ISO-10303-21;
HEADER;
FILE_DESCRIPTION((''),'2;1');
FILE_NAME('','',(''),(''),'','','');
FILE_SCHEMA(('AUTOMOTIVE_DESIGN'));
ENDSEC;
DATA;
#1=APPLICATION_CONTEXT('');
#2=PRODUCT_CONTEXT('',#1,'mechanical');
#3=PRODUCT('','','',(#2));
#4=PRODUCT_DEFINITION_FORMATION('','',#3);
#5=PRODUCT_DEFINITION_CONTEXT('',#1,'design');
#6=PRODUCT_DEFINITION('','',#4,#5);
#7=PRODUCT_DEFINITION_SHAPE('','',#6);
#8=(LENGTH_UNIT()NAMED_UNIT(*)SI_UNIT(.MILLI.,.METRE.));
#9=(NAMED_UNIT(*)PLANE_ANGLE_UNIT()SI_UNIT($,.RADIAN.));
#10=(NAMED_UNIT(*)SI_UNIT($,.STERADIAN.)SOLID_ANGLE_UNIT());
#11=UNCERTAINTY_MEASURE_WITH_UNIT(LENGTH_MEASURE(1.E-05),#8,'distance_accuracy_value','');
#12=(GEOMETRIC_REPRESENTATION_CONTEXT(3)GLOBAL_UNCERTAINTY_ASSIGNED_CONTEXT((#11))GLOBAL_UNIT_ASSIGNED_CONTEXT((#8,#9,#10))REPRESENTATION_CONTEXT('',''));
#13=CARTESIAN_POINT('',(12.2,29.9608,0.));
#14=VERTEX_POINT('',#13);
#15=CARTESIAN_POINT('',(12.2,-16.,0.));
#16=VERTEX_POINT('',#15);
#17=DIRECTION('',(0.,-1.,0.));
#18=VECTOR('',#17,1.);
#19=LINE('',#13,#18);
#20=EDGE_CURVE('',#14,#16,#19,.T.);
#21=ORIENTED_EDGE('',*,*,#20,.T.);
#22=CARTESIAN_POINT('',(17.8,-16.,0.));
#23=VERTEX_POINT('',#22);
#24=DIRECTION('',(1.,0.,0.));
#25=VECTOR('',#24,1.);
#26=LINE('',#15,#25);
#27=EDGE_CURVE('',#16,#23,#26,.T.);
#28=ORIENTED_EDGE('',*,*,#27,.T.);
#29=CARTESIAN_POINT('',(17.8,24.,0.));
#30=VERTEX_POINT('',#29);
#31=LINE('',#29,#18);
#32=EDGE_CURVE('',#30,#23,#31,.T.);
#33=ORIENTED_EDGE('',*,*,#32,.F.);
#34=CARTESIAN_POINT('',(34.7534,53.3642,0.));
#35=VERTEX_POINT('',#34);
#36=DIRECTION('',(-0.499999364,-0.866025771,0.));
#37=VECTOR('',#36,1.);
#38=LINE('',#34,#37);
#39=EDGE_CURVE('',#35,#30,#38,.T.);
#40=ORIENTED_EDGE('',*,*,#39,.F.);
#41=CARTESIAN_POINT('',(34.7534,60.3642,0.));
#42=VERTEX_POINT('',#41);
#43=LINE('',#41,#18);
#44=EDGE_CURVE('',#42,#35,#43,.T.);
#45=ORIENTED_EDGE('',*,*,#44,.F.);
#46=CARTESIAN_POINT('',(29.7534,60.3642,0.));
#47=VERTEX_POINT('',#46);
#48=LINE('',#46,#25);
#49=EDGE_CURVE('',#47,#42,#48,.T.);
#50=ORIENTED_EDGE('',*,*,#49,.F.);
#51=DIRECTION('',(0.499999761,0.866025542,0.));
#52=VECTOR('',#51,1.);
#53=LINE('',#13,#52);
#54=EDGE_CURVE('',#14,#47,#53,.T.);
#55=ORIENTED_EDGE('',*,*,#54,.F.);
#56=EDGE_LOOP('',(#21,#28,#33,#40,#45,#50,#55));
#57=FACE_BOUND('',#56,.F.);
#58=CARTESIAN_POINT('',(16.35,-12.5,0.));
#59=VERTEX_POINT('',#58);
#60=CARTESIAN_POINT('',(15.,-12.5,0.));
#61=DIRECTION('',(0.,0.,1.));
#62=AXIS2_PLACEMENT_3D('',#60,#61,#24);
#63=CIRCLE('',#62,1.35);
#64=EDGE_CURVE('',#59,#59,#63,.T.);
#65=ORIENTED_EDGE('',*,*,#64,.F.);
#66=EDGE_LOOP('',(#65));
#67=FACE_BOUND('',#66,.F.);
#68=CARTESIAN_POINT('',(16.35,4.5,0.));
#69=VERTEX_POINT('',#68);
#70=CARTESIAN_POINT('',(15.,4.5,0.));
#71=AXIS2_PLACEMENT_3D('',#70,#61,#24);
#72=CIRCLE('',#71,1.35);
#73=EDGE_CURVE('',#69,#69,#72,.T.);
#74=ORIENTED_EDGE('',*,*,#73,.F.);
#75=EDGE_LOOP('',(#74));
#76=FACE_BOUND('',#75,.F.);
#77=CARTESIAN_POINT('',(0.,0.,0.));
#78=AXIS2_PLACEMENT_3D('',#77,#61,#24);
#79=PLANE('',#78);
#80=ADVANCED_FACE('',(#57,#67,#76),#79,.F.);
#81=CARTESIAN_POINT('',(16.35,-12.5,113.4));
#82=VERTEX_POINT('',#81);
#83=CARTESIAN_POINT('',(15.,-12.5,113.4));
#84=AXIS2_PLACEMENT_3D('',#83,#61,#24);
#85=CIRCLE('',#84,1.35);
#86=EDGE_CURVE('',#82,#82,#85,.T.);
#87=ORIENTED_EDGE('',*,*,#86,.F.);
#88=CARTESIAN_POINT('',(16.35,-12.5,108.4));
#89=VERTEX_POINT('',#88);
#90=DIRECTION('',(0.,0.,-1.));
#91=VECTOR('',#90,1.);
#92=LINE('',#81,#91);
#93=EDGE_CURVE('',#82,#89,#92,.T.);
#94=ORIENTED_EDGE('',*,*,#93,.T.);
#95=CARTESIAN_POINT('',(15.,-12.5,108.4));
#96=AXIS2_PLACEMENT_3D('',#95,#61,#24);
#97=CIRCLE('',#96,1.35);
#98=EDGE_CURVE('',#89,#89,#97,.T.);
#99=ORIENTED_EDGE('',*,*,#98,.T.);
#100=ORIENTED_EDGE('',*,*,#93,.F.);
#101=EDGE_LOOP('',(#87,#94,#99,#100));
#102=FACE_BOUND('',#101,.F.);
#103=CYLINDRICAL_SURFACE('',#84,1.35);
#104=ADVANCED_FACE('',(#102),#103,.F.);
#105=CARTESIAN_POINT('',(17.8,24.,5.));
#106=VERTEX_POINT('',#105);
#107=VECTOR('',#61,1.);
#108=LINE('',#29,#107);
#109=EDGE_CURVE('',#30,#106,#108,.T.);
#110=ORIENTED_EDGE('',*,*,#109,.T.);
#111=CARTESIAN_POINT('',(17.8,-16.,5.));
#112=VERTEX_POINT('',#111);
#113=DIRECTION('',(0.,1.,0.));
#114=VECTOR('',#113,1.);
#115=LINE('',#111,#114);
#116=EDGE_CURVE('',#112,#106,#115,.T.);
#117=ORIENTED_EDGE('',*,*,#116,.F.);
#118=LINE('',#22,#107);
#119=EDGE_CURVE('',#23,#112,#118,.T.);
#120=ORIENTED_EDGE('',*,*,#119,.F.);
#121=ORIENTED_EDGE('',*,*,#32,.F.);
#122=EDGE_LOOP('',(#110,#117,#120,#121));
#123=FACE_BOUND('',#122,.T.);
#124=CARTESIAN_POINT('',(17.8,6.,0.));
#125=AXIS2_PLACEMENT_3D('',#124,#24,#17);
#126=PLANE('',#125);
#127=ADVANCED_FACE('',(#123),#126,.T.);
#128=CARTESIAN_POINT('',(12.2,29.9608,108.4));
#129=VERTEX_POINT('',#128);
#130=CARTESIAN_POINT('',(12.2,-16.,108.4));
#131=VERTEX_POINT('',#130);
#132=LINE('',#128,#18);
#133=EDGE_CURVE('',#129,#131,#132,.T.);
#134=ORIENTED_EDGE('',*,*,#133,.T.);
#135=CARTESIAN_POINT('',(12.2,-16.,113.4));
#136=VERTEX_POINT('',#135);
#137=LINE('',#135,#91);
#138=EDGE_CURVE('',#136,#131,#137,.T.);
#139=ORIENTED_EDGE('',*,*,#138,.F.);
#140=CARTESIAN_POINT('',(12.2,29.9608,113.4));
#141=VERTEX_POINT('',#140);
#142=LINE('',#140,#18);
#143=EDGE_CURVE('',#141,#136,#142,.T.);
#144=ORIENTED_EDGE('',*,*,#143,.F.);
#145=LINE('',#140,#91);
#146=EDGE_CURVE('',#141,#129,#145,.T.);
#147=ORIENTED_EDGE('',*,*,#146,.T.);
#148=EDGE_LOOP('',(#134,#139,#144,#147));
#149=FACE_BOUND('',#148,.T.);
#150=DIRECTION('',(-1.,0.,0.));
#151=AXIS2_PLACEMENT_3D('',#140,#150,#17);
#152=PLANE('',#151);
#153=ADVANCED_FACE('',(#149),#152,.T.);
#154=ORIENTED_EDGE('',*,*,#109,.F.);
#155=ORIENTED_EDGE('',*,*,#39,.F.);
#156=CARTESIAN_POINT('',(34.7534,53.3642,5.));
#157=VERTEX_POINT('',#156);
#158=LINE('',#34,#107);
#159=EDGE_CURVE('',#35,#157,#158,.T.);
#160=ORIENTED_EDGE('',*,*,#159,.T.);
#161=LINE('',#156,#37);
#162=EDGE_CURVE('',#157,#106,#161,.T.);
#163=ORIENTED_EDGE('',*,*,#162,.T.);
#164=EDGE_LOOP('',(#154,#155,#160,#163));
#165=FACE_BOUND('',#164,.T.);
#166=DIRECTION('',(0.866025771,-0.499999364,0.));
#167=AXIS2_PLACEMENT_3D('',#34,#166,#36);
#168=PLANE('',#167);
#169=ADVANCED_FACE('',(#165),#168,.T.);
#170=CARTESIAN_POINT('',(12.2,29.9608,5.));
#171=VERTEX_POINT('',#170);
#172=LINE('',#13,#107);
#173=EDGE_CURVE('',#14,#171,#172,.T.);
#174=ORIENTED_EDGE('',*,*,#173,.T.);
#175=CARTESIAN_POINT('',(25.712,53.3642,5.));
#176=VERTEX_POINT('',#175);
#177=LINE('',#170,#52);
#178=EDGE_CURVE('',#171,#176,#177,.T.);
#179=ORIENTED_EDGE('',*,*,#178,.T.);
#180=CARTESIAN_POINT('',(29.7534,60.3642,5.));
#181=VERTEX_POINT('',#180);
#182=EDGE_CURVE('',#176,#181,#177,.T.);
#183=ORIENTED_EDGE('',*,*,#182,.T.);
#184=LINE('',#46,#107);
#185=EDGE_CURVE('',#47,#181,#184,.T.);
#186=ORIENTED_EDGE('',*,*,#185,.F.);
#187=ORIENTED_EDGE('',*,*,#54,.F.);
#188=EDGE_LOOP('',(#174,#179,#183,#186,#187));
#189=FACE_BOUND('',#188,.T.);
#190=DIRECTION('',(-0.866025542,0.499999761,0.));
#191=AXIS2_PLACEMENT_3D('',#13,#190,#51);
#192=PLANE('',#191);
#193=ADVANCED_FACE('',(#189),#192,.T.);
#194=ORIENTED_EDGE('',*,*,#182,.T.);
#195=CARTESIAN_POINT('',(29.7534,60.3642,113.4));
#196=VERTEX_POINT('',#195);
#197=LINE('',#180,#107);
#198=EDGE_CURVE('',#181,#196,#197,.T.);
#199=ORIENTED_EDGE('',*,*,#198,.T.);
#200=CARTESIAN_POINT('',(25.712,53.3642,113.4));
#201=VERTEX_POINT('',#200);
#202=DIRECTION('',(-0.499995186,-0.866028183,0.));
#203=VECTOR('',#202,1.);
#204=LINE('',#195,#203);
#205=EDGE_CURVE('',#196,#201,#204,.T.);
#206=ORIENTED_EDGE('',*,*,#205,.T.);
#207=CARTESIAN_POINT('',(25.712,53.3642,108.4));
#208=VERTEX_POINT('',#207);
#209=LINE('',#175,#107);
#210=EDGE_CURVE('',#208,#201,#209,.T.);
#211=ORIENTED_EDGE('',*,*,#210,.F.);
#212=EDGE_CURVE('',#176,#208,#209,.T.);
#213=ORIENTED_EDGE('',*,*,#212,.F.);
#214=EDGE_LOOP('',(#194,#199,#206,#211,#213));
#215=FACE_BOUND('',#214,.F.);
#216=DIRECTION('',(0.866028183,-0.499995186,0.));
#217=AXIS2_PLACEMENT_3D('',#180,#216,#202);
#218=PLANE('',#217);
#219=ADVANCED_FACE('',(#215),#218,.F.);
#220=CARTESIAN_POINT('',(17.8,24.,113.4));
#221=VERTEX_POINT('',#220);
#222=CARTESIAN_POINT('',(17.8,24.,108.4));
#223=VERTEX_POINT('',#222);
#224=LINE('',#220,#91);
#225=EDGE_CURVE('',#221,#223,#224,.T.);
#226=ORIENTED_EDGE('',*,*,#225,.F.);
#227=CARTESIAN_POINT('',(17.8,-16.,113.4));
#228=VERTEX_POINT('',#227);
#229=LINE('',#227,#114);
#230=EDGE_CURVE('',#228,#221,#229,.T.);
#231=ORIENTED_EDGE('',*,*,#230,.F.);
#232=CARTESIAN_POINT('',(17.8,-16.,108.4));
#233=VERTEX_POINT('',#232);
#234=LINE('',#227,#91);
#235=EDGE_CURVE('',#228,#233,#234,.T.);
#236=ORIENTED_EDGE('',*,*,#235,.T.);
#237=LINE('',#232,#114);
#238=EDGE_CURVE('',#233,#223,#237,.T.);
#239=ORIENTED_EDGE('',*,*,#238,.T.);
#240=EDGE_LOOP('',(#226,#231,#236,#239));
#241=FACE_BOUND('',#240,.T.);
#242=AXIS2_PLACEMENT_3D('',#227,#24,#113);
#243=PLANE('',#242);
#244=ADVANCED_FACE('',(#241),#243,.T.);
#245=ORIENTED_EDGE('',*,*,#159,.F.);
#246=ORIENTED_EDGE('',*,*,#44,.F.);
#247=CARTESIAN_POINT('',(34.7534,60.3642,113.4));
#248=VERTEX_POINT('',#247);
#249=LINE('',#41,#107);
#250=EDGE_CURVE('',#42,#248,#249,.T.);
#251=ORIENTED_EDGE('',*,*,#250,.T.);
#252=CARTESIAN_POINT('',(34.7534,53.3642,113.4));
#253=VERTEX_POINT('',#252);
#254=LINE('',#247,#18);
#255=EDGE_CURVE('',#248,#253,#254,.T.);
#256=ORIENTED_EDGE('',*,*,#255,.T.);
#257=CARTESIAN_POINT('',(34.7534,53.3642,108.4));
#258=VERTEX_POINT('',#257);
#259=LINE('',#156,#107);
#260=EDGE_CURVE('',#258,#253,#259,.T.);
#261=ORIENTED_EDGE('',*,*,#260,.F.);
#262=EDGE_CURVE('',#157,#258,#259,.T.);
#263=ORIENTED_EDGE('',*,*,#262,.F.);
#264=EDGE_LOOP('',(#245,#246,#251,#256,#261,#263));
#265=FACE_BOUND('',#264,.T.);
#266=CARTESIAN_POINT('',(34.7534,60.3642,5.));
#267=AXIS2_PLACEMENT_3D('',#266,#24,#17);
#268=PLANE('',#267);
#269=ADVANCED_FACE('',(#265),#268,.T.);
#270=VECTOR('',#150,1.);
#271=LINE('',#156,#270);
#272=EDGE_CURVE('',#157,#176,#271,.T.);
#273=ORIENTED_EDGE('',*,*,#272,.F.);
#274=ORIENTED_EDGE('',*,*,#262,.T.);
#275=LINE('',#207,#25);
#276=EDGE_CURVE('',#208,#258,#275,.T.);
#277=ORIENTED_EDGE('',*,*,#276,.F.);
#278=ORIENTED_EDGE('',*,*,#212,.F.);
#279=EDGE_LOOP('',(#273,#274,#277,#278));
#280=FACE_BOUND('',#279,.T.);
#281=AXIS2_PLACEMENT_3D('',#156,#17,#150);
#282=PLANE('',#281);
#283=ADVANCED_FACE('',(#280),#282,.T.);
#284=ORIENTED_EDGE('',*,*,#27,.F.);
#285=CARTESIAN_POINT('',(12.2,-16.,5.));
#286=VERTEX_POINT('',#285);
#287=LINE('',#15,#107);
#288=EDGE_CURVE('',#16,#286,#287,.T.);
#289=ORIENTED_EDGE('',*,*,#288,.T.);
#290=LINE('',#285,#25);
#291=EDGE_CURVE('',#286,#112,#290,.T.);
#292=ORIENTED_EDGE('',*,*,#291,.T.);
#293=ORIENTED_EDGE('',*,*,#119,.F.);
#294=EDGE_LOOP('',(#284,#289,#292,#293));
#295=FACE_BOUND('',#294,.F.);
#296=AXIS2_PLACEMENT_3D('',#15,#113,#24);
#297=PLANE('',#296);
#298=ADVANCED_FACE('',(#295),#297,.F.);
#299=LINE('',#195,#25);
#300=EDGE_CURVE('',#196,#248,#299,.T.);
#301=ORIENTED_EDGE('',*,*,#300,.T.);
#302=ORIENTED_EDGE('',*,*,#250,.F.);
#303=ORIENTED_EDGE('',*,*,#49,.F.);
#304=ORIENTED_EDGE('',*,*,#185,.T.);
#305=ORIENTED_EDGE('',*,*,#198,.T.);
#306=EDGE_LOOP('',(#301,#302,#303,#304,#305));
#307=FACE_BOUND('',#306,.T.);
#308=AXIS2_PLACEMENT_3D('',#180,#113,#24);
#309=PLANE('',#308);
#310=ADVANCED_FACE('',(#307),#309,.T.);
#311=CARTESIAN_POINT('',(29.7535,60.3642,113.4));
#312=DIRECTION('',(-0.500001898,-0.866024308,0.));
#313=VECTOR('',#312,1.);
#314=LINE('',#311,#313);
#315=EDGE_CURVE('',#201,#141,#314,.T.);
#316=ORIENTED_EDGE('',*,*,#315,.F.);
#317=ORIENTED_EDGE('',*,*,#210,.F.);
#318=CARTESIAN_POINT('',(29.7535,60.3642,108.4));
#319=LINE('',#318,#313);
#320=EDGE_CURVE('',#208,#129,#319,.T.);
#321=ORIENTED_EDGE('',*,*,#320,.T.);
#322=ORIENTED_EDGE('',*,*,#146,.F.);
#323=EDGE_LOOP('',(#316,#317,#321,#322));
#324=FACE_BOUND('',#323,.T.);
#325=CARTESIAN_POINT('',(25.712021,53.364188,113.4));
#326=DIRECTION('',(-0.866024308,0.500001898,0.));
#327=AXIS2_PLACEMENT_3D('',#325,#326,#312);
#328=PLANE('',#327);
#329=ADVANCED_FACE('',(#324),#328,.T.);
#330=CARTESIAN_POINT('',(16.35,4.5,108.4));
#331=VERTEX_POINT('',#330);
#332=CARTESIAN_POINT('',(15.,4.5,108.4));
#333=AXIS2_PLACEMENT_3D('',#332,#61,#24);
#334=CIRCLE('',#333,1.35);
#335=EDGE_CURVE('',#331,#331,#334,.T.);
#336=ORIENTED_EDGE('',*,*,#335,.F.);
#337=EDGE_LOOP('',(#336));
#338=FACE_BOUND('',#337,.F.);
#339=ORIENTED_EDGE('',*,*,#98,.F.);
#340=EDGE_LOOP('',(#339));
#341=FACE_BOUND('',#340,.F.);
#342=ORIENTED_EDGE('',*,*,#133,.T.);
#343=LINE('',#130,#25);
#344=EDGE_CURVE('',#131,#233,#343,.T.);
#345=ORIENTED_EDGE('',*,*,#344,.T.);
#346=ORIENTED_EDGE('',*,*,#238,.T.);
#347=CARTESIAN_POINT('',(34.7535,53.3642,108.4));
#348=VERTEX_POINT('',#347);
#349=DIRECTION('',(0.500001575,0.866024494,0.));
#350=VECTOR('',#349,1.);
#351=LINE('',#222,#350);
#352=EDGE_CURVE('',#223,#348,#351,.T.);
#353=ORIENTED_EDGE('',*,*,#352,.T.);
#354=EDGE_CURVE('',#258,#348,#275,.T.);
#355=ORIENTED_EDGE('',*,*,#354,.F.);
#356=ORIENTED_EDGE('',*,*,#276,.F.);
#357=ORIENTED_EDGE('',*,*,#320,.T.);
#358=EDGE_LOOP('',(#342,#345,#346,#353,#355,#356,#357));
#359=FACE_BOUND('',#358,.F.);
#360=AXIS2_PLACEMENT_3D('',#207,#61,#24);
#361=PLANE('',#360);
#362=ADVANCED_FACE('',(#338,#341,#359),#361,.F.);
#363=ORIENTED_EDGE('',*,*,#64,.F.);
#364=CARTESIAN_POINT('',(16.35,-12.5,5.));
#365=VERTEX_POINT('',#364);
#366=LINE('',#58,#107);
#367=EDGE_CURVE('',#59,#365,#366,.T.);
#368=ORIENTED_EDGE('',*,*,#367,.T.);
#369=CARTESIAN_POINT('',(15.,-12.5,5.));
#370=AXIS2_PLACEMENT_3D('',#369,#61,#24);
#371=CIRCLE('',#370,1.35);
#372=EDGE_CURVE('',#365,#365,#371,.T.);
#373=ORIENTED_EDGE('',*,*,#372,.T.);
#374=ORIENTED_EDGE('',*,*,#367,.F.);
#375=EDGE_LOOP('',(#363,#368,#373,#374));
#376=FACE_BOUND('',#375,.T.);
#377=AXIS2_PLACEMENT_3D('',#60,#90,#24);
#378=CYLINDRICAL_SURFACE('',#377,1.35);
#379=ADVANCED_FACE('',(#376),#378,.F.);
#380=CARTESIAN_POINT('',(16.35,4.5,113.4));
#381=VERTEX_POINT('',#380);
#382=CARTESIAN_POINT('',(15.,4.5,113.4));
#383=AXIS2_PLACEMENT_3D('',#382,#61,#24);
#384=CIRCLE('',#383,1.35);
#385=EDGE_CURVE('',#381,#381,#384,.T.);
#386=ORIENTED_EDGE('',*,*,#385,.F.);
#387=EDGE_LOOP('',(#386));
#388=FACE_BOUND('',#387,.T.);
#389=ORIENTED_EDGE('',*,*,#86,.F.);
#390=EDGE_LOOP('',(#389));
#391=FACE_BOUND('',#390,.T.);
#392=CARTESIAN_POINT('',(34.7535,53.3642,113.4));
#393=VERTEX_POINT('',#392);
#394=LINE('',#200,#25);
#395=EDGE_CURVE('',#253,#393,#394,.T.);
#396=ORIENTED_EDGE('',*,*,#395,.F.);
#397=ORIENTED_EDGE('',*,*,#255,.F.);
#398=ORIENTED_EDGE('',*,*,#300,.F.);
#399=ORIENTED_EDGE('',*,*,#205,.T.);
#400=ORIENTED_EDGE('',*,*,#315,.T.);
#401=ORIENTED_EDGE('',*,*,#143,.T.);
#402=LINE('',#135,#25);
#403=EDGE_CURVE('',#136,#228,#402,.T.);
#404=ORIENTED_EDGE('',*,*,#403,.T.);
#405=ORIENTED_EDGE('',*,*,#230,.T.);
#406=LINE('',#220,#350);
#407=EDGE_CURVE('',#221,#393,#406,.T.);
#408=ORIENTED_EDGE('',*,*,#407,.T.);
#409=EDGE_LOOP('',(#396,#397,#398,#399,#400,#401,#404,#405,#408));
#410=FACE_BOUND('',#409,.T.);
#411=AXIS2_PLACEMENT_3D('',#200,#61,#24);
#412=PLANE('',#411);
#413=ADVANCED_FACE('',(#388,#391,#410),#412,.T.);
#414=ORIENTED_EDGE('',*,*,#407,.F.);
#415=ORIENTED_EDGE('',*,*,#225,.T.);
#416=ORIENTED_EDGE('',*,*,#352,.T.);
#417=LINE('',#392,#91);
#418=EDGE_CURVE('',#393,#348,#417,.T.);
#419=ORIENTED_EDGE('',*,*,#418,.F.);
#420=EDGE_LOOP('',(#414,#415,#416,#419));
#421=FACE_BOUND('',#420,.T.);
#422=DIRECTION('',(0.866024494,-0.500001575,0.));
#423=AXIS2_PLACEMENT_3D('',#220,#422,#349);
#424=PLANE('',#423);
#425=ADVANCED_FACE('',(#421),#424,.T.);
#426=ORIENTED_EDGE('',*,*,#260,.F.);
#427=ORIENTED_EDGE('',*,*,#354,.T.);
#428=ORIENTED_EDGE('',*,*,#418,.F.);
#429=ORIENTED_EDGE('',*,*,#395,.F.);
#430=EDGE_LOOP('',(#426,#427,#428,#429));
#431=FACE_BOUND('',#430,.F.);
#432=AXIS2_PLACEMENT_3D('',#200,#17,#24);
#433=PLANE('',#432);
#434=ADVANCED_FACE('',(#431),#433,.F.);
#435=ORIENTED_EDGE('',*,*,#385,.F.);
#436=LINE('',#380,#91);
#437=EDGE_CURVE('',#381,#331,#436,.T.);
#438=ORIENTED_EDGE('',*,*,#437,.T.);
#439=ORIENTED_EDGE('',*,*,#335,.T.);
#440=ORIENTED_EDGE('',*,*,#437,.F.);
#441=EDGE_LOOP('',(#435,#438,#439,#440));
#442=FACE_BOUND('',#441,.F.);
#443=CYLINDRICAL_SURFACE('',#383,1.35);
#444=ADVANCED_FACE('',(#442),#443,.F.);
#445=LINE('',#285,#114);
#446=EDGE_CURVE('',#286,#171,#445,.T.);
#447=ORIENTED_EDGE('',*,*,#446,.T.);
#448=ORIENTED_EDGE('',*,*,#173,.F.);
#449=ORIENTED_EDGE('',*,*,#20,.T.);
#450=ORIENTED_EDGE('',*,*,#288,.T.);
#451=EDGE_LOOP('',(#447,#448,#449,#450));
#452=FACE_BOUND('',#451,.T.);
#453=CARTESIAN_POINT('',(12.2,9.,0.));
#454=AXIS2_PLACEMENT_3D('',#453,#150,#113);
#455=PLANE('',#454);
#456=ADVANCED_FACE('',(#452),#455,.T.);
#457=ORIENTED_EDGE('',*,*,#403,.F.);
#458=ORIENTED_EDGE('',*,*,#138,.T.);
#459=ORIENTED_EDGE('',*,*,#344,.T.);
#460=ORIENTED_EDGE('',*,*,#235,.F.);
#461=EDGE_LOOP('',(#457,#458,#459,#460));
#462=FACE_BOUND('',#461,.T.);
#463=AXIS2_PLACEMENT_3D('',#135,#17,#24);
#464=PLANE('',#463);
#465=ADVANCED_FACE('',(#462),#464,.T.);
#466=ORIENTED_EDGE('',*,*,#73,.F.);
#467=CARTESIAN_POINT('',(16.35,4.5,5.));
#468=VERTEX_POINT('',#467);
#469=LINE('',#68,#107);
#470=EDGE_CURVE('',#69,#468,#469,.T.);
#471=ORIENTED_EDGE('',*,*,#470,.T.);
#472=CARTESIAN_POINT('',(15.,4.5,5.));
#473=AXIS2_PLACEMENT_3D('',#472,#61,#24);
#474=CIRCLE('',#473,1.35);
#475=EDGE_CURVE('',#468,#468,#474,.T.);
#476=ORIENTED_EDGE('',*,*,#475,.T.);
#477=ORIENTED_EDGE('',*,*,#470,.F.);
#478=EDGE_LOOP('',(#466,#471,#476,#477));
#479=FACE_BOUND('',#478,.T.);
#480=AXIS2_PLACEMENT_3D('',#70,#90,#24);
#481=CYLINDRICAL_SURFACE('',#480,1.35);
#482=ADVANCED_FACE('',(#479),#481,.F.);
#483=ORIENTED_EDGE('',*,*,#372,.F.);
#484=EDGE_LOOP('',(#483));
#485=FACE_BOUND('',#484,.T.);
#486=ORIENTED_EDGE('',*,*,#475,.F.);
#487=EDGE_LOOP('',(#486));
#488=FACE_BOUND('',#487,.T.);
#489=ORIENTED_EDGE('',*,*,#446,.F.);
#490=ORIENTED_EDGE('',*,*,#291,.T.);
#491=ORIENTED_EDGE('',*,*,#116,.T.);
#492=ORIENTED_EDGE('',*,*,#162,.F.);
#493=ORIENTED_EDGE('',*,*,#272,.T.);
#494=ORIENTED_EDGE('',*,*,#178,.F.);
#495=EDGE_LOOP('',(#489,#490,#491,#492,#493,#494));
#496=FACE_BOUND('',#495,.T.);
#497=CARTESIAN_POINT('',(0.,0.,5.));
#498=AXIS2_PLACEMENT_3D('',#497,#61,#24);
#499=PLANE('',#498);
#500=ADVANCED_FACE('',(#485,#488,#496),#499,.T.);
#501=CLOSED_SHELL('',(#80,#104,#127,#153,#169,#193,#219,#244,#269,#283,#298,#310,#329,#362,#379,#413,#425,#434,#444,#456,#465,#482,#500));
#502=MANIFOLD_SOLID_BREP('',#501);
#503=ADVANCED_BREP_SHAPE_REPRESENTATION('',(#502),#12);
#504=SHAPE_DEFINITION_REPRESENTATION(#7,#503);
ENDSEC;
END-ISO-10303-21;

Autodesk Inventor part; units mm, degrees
ref_plane "YZ Plane" through (0, 0, 0) normal (1, 0, 0) x (0, 1, 0)
ref_plane "XZ Plane" through (0, 0, 0) normal (0, 1, 0) x (-1, 0, 0)
sketch "Sketch1" plane through (0, 0, 0) normal (0, 0, 1) x (1, 0, 0)
  arc A0 (12.2, 9) -> (9.2, 12) centre (9.2, 9) ccw projected
  line L0 (12.7, 12) -> (9.2, 12) projected
  line L1 (12.7, 12) -> (17.8, 6) projected
  line L2 (17.8, 6) -> (17.8, -32.6) projected
  line L3 (17.8, -32.6) -> (12.7, -38.6) projected
  line L4 (12.7, -38.6) -> (-12.7, -38.6) projected
  line L5 (-12.7, -38.6) -> (-17.8, -32.6) projected
  line L6 (-17.8, -32.6) -> (-17.8, 6) projected
  line L7 (-17.8, 6) -> (-12.7, 12) projected
  line L8 (-9.2, 12) -> (-12.7, 12) projected
  arc A1 (-9.2, 12) -> (-12.2, 9) centre (-9.2, 9) ccw projected
  line L9 (-12.2, -30) -> (-12.2, 9) projected
  arc A2 (-12.2, -30) -> (-9.2, -33) centre (-9.2, -30) ccw projected
  line L10 (9.2, -33) -> (-9.2, -33) projected
  arc A3 (9.2, -33) -> (12.2, -30) centre (9.2, -30) ccw projected
  line L11 (12.2, 9) -> (12.2, -30) projected
  circle A4 centre (-15, -29.5) radius 1.35 projected
  circle A5 centre (15, -29.5) radius 1.35 projected
  circle A6 centre (-8.5, -35.8) radius 1.35 projected
  circle A7 centre (-15, -12.5) radius 1.35 projected
  circle A8 centre (-15, 4.5) radius 1.35 projected
  circle A9 centre (8.5, -35.8) radius 1.35 projected
  circle A10 centre (15, -12.5) radius 1.35 projected
  circle A11 centre (15, 4.5) radius 1.35 projected
  line L12 (12.2, -16) -> (12.2, 29.9608)
  line L13 (29.7534, 60.3642) -> (34.7534, 60.3642)
  line L14 (34.7534, 60.3642) -> (34.7534, 53.3642)
  line L15 (34.7534, 53.3642) -> (17.8, 24)
  line L16 (17.8, 24) -> (17.8, -16)
  line L17 (12.2, -16) -> (17.8, -16)
  circle A12 centre (15, -12.5) radius 1.35
  circle A13 centre (15, 4.5) radius 1.35
  line L18 (12.2, 29.9608) -> (29.7534, 60.3642)
  point P0 (0, 0)
  dimension "d1" = 2.7
  dimension "d2" = 2.7
  dimension "d3" = 5.6
  dimension "d4" = 3.5
  dimension "d5" = 40
  dimension "d6" = 30
  dimension "d7" = 7
  dimension "d9" = 5
extrude "Extrusion1" add sketch "Sketch1" along normal blind 5 contours L12 L0 L1 L2 L17 L11 | L12 L18 L13 L14 L15 L16 L1 L0
sketch "Sketch2" plane through (0, 0, 5) normal (0, 0, 1) x (1, 0, 0)
  line L0 (34.7534, 60.3642) -> (34.7534, 53.3642) projected
  line L1 (29.7534, 60.3642) -> (34.7534, 60.3642) projected
  line L2 (34.7534, 60.3642) -> (29.7534, 60.3642)
  line L3 (34.7534, 60.3642) -> (29.7534, 60.3642) projected
  line L4 (29.7534, 60.3642) -> (25.712, 53.3642)
  line L5 (29.7534, 60.3642) -> (12.2, 29.9608) projected
  line L6 (34.7534, 53.3642) -> (25.712, 53.3642)
  line L7 (34.7534, 53.3642) -> (34.7534, 60.3642)
  point P0 (0, 0)
ref_plane "Work Plane1" through (12.1861, 4.5831, 113.4) normal (0, 0, -1) x (0, 1, 0)
extrude "Extrusion2" add sketch "Sketch2" along normal up to surface (108.4 mm away)
sketch "Sketch3" plane through (25.712, 53.3642, 113.4) normal (0, 0, 1) x (1, 0, 0)
  line L0 (9.0415, 7) -> (4.0415, 7) projected
  line L1 (4.0415, 7) -> (0, 0) projected
  line L2 (0, 0) -> (9.0415, 0) projected
  line L3 (9.0415, 0) -> (9.0415, 7) projected
  circle A0 centre (-10.712, -48.8642) radius 1.35 projected
  circle A1 centre (-10.712, -65.8642) radius 1.35 projected
  line L4 (-13.512, -23.4034) -> (-13.512, -69.3642) projected
  line L5 (4.0415, 7) -> (-13.512, -23.4034) projected
  line L6 (9.0415, 7) -> (4.0415, 7) projected
  line L7 (9.0415, 0) -> (9.0415, 7) projected
  line L8 (-7.912, -29.3642) -> (9.0415, 0) projected
  line L9 (-7.912, -69.3642) -> (-7.912, -29.3642) projected
  line L10 (-13.512, -69.3642) -> (-7.912, -69.3642) projected
  point P0 (-25.712, -53.3642)
extrude "Extrusion3" add sketch "Sketch3" against normal blind 5 contours L8 L9 L10 L4 L5 L2
properties part number "Alça" material "Aluminum-6061"
